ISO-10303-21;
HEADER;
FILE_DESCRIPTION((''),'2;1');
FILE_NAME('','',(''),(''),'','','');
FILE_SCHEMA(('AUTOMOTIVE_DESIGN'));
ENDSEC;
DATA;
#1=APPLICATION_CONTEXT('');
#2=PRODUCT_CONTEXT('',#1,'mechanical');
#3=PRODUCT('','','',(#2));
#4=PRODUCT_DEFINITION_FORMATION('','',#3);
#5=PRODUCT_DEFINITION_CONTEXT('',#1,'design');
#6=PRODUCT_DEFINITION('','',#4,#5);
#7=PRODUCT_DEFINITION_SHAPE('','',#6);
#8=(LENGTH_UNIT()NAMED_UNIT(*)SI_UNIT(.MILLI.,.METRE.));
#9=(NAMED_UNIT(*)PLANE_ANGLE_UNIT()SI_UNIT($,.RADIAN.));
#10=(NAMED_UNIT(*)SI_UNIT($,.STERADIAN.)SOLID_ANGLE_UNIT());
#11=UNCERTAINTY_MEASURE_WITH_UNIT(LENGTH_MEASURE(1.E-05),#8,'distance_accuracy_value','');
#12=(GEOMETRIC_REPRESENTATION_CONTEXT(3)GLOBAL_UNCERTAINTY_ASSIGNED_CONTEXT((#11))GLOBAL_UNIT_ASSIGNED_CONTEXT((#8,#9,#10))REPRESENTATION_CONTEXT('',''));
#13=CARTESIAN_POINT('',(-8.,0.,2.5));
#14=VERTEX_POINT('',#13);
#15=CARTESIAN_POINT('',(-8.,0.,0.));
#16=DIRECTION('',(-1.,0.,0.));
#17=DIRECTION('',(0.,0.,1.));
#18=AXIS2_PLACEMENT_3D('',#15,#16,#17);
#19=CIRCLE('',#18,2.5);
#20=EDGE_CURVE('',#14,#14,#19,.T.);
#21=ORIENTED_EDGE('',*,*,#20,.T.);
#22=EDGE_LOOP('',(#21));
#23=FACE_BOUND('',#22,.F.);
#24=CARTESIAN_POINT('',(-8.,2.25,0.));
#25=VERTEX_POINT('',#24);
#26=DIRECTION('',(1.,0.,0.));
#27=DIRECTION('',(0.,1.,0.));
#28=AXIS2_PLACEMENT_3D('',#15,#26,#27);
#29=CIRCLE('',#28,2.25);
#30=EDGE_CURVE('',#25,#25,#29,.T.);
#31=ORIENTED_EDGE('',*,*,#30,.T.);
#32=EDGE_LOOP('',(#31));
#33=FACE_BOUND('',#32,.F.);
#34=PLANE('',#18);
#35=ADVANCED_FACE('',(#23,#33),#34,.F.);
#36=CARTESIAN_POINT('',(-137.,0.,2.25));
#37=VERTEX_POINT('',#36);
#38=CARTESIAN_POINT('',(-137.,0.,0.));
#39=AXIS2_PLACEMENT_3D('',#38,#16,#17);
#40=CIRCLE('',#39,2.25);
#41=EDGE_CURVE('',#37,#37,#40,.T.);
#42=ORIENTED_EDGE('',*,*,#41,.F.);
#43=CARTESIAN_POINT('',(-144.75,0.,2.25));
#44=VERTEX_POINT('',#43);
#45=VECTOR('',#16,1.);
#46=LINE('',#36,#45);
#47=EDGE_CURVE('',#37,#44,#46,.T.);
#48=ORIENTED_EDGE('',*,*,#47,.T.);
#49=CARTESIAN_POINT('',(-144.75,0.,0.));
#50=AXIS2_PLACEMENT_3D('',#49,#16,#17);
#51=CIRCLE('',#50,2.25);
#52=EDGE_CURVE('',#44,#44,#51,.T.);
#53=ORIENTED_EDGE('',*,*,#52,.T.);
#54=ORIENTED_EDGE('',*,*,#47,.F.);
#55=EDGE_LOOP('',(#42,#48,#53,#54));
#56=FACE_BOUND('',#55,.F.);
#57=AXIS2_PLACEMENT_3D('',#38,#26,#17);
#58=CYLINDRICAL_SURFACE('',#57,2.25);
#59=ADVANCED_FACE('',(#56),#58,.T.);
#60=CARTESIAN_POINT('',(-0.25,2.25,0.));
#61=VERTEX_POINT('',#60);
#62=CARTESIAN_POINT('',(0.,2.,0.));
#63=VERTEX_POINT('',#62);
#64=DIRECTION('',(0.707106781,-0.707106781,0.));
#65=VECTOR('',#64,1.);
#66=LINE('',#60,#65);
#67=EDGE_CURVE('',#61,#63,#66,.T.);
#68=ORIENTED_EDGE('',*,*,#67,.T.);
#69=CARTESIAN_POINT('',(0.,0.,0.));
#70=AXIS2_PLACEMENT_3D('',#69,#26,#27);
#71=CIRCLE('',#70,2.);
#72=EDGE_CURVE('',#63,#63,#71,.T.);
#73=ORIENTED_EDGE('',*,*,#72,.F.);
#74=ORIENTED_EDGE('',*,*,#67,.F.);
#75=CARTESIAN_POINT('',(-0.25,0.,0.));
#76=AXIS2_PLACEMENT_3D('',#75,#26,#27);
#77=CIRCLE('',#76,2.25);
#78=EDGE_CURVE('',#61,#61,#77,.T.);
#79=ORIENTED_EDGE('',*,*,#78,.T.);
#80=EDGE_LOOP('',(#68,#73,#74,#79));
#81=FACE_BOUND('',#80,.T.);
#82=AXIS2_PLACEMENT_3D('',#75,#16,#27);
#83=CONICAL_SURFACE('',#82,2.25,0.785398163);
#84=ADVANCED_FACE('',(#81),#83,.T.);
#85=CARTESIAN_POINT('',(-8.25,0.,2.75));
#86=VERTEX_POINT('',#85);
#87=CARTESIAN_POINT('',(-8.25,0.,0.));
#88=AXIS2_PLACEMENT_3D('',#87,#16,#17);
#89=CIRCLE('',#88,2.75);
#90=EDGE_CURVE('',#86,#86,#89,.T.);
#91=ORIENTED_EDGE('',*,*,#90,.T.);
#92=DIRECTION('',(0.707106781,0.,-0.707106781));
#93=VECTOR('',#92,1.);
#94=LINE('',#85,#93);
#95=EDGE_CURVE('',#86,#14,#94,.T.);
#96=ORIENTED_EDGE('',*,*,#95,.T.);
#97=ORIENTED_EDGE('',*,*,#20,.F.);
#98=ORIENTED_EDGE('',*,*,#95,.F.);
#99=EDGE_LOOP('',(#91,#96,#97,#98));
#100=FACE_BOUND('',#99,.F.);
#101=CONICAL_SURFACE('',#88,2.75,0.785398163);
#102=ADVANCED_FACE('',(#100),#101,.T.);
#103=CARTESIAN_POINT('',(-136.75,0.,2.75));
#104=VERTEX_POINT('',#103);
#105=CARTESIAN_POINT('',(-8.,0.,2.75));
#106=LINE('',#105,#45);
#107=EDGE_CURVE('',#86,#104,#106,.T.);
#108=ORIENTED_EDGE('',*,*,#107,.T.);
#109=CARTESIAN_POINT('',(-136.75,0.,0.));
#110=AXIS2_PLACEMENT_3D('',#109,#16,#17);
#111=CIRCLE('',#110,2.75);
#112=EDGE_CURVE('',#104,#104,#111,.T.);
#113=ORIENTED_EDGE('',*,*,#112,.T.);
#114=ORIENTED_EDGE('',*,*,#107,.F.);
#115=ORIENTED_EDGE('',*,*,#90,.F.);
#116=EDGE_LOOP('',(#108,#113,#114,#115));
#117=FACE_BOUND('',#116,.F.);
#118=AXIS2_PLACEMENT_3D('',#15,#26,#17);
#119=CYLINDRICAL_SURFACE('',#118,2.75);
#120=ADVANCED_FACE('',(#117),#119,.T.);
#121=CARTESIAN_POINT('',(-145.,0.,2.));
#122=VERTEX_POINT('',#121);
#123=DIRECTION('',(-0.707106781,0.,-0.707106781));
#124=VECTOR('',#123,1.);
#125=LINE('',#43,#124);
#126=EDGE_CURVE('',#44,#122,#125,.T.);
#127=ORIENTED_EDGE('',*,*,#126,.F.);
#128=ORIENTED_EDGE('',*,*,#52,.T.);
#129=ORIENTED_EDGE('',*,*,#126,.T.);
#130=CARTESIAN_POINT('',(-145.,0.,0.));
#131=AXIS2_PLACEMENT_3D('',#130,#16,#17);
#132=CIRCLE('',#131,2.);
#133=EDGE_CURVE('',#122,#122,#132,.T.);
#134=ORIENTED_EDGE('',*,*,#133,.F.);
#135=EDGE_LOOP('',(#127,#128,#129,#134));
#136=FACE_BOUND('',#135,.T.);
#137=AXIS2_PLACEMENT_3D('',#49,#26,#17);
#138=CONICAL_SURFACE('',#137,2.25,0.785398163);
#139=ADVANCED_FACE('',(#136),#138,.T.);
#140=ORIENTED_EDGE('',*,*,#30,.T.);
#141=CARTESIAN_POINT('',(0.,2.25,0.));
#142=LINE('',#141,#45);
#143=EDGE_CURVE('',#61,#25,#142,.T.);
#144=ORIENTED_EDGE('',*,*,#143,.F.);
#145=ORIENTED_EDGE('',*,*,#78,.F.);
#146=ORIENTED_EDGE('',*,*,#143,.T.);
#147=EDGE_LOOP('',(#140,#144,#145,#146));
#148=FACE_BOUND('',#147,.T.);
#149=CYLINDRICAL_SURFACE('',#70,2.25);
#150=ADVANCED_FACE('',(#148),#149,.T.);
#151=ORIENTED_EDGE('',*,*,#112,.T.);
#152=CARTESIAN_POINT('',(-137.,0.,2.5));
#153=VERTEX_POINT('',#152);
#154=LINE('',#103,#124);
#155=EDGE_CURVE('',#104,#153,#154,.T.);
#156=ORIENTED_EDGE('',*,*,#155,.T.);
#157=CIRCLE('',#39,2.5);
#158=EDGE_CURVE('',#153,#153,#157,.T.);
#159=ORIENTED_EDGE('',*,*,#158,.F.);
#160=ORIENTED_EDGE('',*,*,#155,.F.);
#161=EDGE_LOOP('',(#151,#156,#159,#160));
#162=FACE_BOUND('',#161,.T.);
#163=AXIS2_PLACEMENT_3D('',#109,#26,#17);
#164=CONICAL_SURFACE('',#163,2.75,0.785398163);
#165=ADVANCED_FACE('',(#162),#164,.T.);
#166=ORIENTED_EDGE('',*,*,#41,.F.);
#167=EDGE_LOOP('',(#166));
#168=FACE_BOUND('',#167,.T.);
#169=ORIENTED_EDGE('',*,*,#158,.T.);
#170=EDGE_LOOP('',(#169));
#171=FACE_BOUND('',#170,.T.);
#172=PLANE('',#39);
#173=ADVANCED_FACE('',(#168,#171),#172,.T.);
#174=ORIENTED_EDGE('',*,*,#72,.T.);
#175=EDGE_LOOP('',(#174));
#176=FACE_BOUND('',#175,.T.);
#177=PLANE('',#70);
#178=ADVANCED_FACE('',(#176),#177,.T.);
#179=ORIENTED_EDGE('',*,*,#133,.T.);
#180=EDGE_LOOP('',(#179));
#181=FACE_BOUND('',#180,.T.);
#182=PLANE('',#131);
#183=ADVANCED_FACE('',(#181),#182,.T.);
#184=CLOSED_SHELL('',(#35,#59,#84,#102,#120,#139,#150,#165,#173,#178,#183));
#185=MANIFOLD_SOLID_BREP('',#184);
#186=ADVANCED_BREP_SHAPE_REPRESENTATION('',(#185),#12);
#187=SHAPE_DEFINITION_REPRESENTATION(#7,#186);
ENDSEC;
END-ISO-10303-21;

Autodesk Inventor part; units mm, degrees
ref_plane "YZ Plane" through (0, 0, 0) normal (1, 0, 0) x (0, 1, 0)
ref_plane "XZ Plane" through (0, 0, 0) normal (0, 1, 0) x (-1, 0, 0)
ref_plane "XY Plane" through (0, 0, 0) normal (0, 0, 1) x (1, 0, 0)
sketch "Sketch1" plane through (0, 0, 0) normal (1, 0, 0) x (0, 1, 0)
  circle A0 centre (0, 0) radius 2.25
  dimension "d0" = 4.5
extrude "Extrusion1" add sketch "Sketch1" against normal blind 8
sketch "Sketch2" plane through (-8, 0, 0) normal (-1, 0, 0) x (0, 0, 1)
  circle A0 centre (0, 0) radius 2.75
  dimension "d6" = 5.5
extrude "Extrusion2" add sketch "Sketch2" along normal blind 129
sketch "Sketch3" plane through (-137, 0, 0) normal (-1, 0, 0) x (0, 0, 1)
  circle A0 centre (0, 0) radius 2.25
  dimension "d9" = 4.5
extrude "Extrusion3" add sketch "Sketch3" along normal blind 8
chamfer "Chamfer2" distance 0.25 angle 45 4 edges at (0, -2.25, 0) (-8, 0, -2.75) (-137, 0, -2.75) (-145, 0, -2.25)
properties part number "Ø5x145"
